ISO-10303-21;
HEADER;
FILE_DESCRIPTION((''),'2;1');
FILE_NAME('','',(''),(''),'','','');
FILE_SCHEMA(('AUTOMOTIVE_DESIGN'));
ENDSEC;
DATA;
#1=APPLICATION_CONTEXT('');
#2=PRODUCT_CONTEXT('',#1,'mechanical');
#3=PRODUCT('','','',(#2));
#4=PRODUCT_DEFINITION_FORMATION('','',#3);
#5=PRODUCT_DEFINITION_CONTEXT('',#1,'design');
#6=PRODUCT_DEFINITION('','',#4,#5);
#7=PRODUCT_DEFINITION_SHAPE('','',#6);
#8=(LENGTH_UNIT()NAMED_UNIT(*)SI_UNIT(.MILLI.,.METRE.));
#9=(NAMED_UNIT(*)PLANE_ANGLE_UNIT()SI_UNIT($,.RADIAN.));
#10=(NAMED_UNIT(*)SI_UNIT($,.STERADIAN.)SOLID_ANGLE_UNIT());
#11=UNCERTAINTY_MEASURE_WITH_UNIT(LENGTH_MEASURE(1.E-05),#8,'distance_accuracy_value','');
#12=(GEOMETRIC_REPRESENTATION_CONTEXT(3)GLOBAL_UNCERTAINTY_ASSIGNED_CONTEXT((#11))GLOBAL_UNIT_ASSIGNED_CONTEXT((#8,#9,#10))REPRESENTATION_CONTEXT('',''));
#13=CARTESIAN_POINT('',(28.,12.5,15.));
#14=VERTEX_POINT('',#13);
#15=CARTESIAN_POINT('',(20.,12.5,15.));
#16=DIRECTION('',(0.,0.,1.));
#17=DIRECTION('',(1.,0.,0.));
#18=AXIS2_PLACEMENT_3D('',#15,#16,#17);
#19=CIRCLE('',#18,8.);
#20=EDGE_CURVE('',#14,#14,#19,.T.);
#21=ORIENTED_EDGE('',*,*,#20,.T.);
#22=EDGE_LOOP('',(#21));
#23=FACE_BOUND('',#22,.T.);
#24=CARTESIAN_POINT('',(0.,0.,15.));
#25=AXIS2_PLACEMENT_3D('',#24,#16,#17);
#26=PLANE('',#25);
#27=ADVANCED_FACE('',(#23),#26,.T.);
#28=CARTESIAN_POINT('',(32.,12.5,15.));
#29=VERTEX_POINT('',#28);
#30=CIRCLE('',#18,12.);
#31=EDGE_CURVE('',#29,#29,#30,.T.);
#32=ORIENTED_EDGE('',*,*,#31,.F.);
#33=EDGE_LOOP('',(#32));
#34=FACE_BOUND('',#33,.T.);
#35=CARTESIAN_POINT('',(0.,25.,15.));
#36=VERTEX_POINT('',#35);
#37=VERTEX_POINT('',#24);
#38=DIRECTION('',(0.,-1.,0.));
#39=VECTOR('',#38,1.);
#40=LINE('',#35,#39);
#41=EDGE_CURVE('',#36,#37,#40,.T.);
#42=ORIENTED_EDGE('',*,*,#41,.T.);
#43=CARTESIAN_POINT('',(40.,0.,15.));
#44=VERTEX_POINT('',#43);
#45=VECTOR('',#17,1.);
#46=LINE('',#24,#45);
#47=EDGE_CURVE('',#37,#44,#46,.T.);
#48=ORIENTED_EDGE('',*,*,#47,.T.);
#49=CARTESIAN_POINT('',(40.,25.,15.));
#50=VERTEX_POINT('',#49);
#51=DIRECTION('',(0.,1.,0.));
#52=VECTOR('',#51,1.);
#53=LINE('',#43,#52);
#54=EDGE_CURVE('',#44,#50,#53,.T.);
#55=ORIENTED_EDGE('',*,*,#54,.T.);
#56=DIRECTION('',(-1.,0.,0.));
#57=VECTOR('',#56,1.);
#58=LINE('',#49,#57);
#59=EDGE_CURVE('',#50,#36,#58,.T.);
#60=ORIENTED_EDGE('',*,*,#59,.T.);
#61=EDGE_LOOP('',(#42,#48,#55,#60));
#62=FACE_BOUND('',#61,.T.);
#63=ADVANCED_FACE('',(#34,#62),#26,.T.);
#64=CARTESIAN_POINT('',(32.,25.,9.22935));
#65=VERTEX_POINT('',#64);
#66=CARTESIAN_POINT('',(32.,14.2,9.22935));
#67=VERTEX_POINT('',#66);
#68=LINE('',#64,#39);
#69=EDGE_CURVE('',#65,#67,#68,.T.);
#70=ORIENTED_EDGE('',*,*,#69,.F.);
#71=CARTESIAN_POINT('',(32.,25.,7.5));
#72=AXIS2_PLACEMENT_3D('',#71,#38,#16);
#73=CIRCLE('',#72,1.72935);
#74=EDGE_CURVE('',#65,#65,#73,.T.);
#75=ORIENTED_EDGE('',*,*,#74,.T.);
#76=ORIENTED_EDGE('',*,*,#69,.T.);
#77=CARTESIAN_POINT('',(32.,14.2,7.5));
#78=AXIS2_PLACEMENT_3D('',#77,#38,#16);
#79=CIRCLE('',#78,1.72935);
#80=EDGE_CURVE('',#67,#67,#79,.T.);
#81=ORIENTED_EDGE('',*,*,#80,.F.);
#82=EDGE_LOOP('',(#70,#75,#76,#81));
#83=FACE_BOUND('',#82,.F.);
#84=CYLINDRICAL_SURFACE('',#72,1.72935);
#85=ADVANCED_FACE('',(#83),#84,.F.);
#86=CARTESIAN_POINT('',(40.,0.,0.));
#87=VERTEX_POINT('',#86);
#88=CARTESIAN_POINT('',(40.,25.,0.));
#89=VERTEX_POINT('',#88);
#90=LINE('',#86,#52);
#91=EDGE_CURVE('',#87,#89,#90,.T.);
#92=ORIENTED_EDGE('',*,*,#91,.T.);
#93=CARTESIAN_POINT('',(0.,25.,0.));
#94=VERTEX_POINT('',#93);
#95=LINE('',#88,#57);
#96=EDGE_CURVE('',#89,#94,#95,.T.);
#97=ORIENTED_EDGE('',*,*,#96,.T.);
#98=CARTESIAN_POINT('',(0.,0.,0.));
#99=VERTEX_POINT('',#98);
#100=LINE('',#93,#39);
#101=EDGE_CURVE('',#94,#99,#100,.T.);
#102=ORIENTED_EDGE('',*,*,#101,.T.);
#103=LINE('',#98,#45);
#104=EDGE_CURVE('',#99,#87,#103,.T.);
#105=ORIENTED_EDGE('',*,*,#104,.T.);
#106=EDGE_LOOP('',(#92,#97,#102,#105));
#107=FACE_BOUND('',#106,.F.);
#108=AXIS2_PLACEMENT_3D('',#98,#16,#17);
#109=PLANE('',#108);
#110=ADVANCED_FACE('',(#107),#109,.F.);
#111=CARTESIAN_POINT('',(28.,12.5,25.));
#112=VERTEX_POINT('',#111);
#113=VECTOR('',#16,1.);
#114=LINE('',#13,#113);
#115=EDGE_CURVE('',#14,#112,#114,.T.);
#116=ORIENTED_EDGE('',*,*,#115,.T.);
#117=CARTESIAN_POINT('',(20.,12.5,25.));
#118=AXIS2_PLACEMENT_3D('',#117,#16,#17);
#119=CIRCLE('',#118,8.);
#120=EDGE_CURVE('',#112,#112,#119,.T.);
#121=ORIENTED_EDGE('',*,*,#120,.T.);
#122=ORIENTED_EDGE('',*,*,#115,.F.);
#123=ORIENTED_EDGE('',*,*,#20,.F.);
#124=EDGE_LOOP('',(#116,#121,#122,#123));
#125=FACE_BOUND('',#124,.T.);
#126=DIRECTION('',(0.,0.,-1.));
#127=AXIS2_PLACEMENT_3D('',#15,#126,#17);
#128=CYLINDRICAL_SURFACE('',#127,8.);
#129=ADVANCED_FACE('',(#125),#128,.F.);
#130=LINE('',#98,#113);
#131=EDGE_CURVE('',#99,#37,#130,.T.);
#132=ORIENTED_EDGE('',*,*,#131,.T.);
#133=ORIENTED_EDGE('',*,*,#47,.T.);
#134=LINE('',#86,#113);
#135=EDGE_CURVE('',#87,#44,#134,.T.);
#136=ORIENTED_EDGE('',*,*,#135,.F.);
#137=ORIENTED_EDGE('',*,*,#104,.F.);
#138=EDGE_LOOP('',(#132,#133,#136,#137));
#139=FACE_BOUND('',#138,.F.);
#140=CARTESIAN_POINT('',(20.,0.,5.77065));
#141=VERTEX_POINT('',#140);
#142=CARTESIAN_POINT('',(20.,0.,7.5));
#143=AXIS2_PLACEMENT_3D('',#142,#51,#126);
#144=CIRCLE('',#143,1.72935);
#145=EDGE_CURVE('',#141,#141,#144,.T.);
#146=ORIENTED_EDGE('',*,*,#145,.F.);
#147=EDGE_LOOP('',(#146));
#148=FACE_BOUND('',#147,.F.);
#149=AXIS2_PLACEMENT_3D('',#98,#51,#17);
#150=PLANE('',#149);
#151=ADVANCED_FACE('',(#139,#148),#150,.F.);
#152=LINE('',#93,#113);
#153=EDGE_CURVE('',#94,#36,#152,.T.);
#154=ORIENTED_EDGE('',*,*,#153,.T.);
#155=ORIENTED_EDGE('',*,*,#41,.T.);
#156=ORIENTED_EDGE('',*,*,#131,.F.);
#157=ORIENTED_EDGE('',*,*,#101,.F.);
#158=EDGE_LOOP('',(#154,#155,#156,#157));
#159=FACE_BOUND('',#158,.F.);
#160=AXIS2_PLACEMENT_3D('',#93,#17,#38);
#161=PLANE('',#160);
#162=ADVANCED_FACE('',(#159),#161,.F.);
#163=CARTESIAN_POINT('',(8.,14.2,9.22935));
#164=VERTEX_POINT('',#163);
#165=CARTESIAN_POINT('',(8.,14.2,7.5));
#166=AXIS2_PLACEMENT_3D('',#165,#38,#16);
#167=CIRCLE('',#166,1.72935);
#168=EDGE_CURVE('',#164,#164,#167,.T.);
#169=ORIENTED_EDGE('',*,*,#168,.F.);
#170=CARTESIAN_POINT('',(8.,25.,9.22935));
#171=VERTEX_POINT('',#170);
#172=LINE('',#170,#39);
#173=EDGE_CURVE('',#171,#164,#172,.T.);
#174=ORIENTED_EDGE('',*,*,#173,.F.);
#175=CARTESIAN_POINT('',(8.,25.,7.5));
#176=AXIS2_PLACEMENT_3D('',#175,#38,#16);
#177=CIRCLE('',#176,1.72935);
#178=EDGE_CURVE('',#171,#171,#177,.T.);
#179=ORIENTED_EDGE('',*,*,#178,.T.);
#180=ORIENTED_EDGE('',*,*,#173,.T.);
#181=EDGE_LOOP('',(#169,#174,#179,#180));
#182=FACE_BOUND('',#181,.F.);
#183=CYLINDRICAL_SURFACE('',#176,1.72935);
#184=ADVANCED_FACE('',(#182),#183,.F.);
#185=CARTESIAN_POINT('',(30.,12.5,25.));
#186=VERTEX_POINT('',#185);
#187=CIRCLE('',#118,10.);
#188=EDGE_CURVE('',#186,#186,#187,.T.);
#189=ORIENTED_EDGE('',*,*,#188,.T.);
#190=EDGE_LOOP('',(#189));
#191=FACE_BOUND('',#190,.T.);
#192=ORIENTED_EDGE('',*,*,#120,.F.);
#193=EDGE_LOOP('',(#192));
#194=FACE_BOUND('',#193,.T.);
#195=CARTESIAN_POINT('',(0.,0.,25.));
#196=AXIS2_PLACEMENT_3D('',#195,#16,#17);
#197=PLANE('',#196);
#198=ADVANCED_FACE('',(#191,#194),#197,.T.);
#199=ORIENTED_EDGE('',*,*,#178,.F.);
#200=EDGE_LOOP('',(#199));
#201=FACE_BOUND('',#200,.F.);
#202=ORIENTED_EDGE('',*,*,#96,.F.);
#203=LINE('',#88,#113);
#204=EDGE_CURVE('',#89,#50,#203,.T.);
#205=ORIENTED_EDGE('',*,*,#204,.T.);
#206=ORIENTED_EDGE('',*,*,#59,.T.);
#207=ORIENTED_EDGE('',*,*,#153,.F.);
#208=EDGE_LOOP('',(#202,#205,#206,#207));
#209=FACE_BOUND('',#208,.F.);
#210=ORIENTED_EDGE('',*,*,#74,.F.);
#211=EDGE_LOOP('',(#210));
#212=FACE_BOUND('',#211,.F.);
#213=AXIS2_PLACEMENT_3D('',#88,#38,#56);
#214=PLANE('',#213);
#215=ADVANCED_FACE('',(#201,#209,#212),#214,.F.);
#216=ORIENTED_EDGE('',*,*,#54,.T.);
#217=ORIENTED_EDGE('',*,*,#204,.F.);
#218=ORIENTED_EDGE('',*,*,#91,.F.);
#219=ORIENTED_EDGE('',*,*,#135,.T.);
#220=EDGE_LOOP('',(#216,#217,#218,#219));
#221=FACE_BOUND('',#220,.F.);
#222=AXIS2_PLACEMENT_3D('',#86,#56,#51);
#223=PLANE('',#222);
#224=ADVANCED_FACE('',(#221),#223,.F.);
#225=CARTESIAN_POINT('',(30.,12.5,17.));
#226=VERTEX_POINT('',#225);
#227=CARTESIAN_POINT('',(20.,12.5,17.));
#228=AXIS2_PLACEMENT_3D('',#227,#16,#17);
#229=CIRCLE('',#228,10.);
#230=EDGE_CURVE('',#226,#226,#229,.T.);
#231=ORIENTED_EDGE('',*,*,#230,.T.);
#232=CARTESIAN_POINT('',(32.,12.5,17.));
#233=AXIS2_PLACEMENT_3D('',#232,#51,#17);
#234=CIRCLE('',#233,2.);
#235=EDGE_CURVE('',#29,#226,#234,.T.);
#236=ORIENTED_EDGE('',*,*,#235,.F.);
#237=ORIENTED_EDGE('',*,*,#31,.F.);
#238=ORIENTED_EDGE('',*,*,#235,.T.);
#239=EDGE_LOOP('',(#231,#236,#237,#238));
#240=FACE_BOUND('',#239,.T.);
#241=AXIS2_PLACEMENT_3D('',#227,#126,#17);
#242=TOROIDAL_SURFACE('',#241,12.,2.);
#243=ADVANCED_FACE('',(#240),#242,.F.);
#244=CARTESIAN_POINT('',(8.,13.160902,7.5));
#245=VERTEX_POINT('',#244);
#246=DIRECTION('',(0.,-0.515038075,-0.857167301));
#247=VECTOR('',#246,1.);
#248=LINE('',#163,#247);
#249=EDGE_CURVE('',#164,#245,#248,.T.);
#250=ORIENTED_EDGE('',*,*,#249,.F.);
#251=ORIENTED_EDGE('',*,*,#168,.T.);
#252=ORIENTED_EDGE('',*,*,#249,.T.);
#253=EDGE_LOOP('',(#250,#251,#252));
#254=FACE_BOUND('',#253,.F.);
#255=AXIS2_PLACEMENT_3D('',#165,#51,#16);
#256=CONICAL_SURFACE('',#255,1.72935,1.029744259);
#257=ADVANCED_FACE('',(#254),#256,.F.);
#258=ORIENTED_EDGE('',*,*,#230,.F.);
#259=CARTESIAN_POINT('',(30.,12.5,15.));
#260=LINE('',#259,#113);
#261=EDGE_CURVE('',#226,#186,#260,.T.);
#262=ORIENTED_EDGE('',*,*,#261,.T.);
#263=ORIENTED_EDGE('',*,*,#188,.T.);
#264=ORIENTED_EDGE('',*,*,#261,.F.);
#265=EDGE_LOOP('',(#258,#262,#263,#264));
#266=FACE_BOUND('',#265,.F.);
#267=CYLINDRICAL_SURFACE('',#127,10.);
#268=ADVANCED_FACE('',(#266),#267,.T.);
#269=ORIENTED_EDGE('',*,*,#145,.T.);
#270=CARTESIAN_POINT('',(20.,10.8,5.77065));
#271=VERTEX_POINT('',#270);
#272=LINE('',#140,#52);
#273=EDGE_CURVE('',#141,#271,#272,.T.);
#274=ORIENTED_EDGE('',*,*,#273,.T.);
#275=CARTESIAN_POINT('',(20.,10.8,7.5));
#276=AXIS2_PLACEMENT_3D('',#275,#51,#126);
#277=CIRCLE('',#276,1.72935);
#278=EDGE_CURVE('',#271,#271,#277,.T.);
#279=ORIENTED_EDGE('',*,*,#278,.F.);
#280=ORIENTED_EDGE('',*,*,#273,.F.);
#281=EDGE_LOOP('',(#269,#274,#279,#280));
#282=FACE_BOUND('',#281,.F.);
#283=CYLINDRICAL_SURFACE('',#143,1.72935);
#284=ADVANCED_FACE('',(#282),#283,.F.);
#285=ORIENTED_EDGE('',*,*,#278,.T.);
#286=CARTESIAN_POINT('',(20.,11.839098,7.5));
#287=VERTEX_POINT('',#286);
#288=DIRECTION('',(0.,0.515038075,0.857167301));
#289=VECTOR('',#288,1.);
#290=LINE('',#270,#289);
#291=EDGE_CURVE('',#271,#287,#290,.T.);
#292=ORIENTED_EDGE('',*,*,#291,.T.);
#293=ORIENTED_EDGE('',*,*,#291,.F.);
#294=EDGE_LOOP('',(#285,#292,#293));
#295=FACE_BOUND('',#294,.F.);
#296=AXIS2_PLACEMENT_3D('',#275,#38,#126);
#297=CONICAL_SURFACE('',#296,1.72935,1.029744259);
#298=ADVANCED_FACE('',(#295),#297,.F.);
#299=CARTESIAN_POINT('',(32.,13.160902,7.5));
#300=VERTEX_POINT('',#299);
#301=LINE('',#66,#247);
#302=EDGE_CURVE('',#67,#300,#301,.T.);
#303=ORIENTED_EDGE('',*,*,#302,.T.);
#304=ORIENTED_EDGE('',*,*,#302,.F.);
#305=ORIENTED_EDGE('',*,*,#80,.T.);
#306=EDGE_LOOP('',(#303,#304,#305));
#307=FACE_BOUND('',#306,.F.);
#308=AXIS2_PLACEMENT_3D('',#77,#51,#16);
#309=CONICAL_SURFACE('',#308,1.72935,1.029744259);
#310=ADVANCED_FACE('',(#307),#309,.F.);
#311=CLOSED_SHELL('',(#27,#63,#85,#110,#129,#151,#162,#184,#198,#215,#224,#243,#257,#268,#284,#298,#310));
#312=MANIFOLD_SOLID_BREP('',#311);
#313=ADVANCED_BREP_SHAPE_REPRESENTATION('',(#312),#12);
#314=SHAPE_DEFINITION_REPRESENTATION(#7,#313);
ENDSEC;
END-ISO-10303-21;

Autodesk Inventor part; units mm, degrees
ref_plane "YZ Plane" through (0, 0, 0) normal (1, 0, 0) x (0, 1, 0)
ref_plane "XZ Plane" through (0, 0, 0) normal (0, 1, 0) x (-1, 0, 0)
ref_plane "XY Plane" through (0, 0, 0) normal (0, 0, 1) x (1, 0, 0)
sketch "Sketch1" plane through (0, 0, 0) normal (0, 0, 1) x (1, 0, 0)
  line L0 (0, 0) -> (40, 0)
  line L1 (40, 0) -> (40, 25)
  line L2 (40, 25) -> (0, 25)
  line L3 (0, 25) -> (0, 0)
  dimension "d0" = 40
  dimension "d1" = 25
extrude "Extrusion1" add sketch "Sketch1" along normal blind 15
sketch "Sketch2" plane through (0, 25, 0) normal (0, 1, 0) x (1, 0, 0)
  line L0 (0, 0) -> (0, -15) projected
  line L1 (0, -7.5) -> (8, -7.5)
  line L2 (40, 0) -> (40, -15) projected
  line L3 (40, -7.5) -> (32, -7.5)
  dimension "d4" = 8
  dimension "d5" = 8
hole "Hole1" at (8, 25, 7.5) at (32, 25, 7.5) direction (0, -1, 0) diameter 3.4587 depth 10.8 tip angle 118 thread size "M4x0.5" class "6H" standard "ANSI Metric M Profile"
sketch "Sketch3" plane through (0, 0, 15) normal (0, 0, 1) x (1, 0, 0)
  line L0 (40, 25) -> (0, 25) projected
  line L1 (20, 25) -> (20, 0) construction
  line L2 (0, 0) -> (40, 0) projected
  circle A0 centre (20, 12.5) radius 10
  circle A1 centre (20, 12.5) radius 8
  dimension "d13" = 20
extrude "Extrusion2" add sketch "Sketch3" along normal blind 10
sketch "Sketch4" plane through (0, 0, 0) normal (0, -1, 0) x (1, 0, 0)
  line L0 (0, 15) -> (40, 15) projected
  line L1 (20, 15) -> (20, 0)
  line L2 (40, 0) -> (0, 0) projected
  point P0 (20, 7.5)
hole "Hole2" at (20, 0, 7.5) direction (0, 1, 0) diameter 3.4587 depth 10.8 tip angle 118 thread size "M4x0.5" class "6H" standard "ANSI Metric M Profile"
fillet "Fillet1" radius 2 1 edges at (10, 12.5, 15)
sketch "Sketch5" plane through (20, 12.5, 15) normal (0, 0, 1) x (1, 0, 0)
  point P0 (-20, -12.5)
properties part number "charging_port"
